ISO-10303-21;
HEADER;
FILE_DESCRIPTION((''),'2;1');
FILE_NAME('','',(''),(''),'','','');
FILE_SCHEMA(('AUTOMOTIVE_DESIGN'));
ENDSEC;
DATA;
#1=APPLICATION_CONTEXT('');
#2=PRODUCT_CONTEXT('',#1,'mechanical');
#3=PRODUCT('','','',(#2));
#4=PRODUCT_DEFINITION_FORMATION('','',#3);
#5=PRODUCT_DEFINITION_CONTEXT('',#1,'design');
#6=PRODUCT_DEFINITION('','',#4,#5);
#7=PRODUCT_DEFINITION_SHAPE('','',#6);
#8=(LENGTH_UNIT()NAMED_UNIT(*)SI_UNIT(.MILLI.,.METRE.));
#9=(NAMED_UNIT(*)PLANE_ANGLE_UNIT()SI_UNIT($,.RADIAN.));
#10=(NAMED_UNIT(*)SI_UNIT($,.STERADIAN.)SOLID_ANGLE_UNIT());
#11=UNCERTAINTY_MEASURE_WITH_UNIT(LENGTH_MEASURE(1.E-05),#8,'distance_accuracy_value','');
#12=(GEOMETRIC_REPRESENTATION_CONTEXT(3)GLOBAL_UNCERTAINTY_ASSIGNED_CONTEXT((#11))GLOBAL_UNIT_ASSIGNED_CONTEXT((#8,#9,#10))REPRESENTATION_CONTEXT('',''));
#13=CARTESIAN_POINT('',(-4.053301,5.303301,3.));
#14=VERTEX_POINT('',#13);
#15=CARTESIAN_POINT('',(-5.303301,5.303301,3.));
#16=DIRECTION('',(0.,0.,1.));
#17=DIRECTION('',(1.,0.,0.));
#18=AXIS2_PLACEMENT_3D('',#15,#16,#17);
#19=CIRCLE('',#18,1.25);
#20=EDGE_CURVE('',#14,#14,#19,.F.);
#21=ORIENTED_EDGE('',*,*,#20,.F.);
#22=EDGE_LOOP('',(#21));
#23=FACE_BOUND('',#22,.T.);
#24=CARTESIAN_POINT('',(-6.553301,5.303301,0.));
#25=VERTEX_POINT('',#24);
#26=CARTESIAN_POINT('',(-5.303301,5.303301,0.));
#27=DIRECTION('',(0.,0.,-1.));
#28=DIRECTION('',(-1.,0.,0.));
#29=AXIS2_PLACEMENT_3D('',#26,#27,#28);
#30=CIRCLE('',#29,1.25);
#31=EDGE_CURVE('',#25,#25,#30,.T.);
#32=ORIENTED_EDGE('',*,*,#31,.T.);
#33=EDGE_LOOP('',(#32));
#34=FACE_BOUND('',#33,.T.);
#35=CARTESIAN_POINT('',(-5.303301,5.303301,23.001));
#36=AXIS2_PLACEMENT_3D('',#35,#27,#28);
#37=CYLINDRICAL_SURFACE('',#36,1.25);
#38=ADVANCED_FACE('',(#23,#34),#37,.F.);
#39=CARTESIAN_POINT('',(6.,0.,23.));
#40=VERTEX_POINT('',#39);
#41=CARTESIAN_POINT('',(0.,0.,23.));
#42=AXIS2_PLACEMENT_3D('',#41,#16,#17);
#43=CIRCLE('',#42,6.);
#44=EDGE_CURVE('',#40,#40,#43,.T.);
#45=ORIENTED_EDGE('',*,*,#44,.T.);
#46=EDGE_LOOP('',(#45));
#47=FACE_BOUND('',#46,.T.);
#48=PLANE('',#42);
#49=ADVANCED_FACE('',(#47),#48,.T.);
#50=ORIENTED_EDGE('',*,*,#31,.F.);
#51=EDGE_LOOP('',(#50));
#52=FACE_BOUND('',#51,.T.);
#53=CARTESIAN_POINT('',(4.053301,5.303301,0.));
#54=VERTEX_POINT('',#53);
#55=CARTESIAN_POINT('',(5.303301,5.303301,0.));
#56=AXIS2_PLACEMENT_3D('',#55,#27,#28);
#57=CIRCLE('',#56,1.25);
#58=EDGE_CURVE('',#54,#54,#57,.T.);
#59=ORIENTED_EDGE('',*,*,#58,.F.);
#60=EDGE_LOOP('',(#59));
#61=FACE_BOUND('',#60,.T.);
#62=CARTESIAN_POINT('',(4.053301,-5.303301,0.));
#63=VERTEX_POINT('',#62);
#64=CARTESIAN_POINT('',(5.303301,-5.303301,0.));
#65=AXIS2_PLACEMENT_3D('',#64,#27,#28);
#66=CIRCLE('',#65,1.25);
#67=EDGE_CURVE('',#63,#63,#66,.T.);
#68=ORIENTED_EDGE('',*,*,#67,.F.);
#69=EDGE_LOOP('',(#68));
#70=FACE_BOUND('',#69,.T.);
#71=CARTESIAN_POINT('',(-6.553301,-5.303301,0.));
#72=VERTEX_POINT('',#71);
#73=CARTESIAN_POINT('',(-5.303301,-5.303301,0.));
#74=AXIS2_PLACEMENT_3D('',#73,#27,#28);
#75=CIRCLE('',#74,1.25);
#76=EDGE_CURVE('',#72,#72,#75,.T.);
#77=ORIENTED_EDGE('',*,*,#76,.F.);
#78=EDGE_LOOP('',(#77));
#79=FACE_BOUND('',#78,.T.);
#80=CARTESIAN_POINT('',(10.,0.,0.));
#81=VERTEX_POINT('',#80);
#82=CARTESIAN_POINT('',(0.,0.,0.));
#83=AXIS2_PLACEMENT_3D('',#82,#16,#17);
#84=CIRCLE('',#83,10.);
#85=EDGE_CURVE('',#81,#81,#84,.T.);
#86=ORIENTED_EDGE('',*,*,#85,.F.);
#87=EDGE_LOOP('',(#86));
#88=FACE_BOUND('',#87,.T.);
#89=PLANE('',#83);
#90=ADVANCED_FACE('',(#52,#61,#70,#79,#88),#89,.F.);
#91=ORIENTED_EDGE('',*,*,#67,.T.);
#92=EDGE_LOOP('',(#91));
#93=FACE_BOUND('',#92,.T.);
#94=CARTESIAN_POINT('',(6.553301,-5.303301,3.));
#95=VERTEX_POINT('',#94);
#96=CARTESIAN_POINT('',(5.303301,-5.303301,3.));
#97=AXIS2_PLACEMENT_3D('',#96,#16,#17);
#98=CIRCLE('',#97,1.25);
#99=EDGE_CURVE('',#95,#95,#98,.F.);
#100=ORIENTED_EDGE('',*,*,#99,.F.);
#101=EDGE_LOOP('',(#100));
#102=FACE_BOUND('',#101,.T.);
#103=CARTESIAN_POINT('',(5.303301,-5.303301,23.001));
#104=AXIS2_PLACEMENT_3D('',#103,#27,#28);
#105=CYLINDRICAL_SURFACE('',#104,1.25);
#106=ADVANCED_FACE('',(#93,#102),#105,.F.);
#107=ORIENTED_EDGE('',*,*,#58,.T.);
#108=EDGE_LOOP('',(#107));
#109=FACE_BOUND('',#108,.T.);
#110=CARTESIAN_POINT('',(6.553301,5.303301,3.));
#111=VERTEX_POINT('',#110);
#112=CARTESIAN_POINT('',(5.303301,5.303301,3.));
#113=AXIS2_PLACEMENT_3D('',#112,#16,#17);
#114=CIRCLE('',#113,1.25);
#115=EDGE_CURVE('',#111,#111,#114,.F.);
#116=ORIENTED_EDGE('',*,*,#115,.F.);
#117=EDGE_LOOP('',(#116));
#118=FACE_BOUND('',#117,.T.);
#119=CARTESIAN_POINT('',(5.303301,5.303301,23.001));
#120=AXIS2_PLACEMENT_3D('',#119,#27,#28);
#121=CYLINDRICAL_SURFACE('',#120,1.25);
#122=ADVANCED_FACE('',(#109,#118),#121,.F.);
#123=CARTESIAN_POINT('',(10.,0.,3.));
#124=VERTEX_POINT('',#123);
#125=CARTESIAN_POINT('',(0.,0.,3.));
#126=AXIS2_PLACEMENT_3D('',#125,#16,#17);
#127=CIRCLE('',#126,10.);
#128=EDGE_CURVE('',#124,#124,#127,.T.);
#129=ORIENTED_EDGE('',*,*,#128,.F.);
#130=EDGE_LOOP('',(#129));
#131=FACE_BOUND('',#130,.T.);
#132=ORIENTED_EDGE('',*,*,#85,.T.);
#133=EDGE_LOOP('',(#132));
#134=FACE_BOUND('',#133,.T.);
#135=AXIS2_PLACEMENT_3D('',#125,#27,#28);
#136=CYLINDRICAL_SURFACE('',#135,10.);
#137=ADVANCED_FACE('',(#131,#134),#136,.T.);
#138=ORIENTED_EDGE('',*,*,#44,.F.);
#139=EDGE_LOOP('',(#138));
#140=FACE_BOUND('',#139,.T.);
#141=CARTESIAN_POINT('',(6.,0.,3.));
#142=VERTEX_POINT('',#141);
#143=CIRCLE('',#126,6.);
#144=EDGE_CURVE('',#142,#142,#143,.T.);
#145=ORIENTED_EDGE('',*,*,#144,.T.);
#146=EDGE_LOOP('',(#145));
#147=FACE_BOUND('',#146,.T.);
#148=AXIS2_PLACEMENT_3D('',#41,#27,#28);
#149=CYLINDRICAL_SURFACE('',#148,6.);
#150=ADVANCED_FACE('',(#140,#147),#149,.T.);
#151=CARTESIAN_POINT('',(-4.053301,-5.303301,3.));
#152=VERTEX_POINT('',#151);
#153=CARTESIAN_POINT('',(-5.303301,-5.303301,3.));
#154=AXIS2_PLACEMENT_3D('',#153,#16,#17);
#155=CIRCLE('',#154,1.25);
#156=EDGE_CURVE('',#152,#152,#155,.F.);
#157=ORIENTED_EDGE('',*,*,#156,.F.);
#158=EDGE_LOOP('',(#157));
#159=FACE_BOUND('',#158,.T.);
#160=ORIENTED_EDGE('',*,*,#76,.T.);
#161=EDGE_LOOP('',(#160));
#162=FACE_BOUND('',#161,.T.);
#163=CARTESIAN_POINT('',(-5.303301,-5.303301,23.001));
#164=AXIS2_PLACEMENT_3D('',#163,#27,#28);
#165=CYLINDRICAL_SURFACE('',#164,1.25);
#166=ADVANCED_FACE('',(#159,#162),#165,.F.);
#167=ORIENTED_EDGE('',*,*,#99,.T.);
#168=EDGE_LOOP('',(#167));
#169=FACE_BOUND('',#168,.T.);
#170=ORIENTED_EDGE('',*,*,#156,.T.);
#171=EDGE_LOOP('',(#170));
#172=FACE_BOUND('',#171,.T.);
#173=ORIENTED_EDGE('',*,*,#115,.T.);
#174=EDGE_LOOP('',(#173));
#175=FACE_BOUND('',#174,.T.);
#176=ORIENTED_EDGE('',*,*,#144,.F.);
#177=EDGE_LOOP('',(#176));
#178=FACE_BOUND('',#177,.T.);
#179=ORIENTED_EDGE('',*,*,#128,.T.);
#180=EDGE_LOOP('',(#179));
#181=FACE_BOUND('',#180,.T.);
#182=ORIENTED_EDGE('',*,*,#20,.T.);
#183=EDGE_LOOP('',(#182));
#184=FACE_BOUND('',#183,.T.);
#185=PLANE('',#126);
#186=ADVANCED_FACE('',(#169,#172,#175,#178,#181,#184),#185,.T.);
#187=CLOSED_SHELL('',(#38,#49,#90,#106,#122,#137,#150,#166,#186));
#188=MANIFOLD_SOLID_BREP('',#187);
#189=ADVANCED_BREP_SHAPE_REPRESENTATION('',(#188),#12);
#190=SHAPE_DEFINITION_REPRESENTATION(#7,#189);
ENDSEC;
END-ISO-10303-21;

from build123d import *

# Parameters (mm, degrees)
SKETCH_1_R          = 10
EXTRUDE_1_DEPTH     = 3
SKETCH_2_R          = 6
EXTRUDE_2_DEPTH     = 20
CUT_EXTRUDE_1_REACH = 29
SKETCH_4_R          = 1.25


with BuildPart() as part:
    # 草图1 → 凸台-拉伸1 (new body)
    with BuildSketch(Plane.XY):
        Circle(SKETCH_1_R)
    extrude(amount=EXTRUDE_1_DEPTH)

    # 草图2 → 凸台-拉伸2 (add)
    with BuildSketch(Plane.XY.offset(3)):
        Circle(SKETCH_2_R)
    extrude(amount=EXTRUDE_2_DEPTH)

    # 草图4 → 切除-拉伸1 (cut, up to next)
    with BuildSketch(Plane(origin=(0, 0, 0), x_dir=(-1, 0, 0), z_dir=(0, 0, -1)), mode=Mode.PRIVATE) as cut_extrude_1_sk1:
        with Locations((-5.303300859, 5.303300859)):
            Circle(SKETCH_4_R)
    cut_extrude_1_tool1 = extrude(cut_extrude_1_sk1.sketch, amount=-CUT_EXTRUDE_1_REACH, mode=Mode.PRIVATE) & part.part
    # 草图4 → 切除-拉伸1 (cut, up to next)
    with BuildSketch(Plane(origin=(0, 0, 0), x_dir=(-1, 0, 0), z_dir=(0, 0, -1)), mode=Mode.PRIVATE) as cut_extrude_1_sk2:
        with Locations((5.303300859, 5.303300859)):
            Circle(SKETCH_4_R)
    cut_extrude_1_tool2 = extrude(cut_extrude_1_sk2.sketch, amount=-CUT_EXTRUDE_1_REACH, mode=Mode.PRIVATE) & part.part
    # 草图4 → 切除-拉伸1 (cut, up to next)
    with BuildSketch(Plane(origin=(0, 0, 0), x_dir=(-1, 0, 0), z_dir=(0, 0, -1)), mode=Mode.PRIVATE) as cut_extrude_1_sk3:
        with Locations((5.303300859, -5.303300859)):
            Circle(SKETCH_4_R)
    cut_extrude_1_tool3 = extrude(cut_extrude_1_sk3.sketch, amount=-CUT_EXTRUDE_1_REACH, mode=Mode.PRIVATE) & part.part
    # 草图4 → 切除-拉伸1 (cut, up to next)
    with BuildSketch(Plane(origin=(0, 0, 0), x_dir=(-1, 0, 0), z_dir=(0, 0, -1)), mode=Mode.PRIVATE) as cut_extrude_1_sk4:
        with Locations((-5.303300859, -5.303300859)):
            Circle(SKETCH_4_R)
    cut_extrude_1_tool4 = extrude(cut_extrude_1_sk4.sketch, amount=-CUT_EXTRUDE_1_REACH, mode=Mode.PRIVATE) & part.part
    add(cut_extrude_1_tool1.solids().sort_by_distance((5.303301, 5.303301, 0))[0], mode=Mode.SUBTRACT)
    add(cut_extrude_1_tool2.solids().sort_by_distance((-5.303301, 5.303301, 0))[0], mode=Mode.SUBTRACT)
    add(cut_extrude_1_tool3.solids().sort_by_distance((-5.303301, -5.303301, 0))[0], mode=Mode.SUBTRACT)
    add(cut_extrude_1_tool4.solids().sort_by_distance((5.303301, -5.303301, 0))[0], mode=Mode.SUBTRACT)


solid = part.part
